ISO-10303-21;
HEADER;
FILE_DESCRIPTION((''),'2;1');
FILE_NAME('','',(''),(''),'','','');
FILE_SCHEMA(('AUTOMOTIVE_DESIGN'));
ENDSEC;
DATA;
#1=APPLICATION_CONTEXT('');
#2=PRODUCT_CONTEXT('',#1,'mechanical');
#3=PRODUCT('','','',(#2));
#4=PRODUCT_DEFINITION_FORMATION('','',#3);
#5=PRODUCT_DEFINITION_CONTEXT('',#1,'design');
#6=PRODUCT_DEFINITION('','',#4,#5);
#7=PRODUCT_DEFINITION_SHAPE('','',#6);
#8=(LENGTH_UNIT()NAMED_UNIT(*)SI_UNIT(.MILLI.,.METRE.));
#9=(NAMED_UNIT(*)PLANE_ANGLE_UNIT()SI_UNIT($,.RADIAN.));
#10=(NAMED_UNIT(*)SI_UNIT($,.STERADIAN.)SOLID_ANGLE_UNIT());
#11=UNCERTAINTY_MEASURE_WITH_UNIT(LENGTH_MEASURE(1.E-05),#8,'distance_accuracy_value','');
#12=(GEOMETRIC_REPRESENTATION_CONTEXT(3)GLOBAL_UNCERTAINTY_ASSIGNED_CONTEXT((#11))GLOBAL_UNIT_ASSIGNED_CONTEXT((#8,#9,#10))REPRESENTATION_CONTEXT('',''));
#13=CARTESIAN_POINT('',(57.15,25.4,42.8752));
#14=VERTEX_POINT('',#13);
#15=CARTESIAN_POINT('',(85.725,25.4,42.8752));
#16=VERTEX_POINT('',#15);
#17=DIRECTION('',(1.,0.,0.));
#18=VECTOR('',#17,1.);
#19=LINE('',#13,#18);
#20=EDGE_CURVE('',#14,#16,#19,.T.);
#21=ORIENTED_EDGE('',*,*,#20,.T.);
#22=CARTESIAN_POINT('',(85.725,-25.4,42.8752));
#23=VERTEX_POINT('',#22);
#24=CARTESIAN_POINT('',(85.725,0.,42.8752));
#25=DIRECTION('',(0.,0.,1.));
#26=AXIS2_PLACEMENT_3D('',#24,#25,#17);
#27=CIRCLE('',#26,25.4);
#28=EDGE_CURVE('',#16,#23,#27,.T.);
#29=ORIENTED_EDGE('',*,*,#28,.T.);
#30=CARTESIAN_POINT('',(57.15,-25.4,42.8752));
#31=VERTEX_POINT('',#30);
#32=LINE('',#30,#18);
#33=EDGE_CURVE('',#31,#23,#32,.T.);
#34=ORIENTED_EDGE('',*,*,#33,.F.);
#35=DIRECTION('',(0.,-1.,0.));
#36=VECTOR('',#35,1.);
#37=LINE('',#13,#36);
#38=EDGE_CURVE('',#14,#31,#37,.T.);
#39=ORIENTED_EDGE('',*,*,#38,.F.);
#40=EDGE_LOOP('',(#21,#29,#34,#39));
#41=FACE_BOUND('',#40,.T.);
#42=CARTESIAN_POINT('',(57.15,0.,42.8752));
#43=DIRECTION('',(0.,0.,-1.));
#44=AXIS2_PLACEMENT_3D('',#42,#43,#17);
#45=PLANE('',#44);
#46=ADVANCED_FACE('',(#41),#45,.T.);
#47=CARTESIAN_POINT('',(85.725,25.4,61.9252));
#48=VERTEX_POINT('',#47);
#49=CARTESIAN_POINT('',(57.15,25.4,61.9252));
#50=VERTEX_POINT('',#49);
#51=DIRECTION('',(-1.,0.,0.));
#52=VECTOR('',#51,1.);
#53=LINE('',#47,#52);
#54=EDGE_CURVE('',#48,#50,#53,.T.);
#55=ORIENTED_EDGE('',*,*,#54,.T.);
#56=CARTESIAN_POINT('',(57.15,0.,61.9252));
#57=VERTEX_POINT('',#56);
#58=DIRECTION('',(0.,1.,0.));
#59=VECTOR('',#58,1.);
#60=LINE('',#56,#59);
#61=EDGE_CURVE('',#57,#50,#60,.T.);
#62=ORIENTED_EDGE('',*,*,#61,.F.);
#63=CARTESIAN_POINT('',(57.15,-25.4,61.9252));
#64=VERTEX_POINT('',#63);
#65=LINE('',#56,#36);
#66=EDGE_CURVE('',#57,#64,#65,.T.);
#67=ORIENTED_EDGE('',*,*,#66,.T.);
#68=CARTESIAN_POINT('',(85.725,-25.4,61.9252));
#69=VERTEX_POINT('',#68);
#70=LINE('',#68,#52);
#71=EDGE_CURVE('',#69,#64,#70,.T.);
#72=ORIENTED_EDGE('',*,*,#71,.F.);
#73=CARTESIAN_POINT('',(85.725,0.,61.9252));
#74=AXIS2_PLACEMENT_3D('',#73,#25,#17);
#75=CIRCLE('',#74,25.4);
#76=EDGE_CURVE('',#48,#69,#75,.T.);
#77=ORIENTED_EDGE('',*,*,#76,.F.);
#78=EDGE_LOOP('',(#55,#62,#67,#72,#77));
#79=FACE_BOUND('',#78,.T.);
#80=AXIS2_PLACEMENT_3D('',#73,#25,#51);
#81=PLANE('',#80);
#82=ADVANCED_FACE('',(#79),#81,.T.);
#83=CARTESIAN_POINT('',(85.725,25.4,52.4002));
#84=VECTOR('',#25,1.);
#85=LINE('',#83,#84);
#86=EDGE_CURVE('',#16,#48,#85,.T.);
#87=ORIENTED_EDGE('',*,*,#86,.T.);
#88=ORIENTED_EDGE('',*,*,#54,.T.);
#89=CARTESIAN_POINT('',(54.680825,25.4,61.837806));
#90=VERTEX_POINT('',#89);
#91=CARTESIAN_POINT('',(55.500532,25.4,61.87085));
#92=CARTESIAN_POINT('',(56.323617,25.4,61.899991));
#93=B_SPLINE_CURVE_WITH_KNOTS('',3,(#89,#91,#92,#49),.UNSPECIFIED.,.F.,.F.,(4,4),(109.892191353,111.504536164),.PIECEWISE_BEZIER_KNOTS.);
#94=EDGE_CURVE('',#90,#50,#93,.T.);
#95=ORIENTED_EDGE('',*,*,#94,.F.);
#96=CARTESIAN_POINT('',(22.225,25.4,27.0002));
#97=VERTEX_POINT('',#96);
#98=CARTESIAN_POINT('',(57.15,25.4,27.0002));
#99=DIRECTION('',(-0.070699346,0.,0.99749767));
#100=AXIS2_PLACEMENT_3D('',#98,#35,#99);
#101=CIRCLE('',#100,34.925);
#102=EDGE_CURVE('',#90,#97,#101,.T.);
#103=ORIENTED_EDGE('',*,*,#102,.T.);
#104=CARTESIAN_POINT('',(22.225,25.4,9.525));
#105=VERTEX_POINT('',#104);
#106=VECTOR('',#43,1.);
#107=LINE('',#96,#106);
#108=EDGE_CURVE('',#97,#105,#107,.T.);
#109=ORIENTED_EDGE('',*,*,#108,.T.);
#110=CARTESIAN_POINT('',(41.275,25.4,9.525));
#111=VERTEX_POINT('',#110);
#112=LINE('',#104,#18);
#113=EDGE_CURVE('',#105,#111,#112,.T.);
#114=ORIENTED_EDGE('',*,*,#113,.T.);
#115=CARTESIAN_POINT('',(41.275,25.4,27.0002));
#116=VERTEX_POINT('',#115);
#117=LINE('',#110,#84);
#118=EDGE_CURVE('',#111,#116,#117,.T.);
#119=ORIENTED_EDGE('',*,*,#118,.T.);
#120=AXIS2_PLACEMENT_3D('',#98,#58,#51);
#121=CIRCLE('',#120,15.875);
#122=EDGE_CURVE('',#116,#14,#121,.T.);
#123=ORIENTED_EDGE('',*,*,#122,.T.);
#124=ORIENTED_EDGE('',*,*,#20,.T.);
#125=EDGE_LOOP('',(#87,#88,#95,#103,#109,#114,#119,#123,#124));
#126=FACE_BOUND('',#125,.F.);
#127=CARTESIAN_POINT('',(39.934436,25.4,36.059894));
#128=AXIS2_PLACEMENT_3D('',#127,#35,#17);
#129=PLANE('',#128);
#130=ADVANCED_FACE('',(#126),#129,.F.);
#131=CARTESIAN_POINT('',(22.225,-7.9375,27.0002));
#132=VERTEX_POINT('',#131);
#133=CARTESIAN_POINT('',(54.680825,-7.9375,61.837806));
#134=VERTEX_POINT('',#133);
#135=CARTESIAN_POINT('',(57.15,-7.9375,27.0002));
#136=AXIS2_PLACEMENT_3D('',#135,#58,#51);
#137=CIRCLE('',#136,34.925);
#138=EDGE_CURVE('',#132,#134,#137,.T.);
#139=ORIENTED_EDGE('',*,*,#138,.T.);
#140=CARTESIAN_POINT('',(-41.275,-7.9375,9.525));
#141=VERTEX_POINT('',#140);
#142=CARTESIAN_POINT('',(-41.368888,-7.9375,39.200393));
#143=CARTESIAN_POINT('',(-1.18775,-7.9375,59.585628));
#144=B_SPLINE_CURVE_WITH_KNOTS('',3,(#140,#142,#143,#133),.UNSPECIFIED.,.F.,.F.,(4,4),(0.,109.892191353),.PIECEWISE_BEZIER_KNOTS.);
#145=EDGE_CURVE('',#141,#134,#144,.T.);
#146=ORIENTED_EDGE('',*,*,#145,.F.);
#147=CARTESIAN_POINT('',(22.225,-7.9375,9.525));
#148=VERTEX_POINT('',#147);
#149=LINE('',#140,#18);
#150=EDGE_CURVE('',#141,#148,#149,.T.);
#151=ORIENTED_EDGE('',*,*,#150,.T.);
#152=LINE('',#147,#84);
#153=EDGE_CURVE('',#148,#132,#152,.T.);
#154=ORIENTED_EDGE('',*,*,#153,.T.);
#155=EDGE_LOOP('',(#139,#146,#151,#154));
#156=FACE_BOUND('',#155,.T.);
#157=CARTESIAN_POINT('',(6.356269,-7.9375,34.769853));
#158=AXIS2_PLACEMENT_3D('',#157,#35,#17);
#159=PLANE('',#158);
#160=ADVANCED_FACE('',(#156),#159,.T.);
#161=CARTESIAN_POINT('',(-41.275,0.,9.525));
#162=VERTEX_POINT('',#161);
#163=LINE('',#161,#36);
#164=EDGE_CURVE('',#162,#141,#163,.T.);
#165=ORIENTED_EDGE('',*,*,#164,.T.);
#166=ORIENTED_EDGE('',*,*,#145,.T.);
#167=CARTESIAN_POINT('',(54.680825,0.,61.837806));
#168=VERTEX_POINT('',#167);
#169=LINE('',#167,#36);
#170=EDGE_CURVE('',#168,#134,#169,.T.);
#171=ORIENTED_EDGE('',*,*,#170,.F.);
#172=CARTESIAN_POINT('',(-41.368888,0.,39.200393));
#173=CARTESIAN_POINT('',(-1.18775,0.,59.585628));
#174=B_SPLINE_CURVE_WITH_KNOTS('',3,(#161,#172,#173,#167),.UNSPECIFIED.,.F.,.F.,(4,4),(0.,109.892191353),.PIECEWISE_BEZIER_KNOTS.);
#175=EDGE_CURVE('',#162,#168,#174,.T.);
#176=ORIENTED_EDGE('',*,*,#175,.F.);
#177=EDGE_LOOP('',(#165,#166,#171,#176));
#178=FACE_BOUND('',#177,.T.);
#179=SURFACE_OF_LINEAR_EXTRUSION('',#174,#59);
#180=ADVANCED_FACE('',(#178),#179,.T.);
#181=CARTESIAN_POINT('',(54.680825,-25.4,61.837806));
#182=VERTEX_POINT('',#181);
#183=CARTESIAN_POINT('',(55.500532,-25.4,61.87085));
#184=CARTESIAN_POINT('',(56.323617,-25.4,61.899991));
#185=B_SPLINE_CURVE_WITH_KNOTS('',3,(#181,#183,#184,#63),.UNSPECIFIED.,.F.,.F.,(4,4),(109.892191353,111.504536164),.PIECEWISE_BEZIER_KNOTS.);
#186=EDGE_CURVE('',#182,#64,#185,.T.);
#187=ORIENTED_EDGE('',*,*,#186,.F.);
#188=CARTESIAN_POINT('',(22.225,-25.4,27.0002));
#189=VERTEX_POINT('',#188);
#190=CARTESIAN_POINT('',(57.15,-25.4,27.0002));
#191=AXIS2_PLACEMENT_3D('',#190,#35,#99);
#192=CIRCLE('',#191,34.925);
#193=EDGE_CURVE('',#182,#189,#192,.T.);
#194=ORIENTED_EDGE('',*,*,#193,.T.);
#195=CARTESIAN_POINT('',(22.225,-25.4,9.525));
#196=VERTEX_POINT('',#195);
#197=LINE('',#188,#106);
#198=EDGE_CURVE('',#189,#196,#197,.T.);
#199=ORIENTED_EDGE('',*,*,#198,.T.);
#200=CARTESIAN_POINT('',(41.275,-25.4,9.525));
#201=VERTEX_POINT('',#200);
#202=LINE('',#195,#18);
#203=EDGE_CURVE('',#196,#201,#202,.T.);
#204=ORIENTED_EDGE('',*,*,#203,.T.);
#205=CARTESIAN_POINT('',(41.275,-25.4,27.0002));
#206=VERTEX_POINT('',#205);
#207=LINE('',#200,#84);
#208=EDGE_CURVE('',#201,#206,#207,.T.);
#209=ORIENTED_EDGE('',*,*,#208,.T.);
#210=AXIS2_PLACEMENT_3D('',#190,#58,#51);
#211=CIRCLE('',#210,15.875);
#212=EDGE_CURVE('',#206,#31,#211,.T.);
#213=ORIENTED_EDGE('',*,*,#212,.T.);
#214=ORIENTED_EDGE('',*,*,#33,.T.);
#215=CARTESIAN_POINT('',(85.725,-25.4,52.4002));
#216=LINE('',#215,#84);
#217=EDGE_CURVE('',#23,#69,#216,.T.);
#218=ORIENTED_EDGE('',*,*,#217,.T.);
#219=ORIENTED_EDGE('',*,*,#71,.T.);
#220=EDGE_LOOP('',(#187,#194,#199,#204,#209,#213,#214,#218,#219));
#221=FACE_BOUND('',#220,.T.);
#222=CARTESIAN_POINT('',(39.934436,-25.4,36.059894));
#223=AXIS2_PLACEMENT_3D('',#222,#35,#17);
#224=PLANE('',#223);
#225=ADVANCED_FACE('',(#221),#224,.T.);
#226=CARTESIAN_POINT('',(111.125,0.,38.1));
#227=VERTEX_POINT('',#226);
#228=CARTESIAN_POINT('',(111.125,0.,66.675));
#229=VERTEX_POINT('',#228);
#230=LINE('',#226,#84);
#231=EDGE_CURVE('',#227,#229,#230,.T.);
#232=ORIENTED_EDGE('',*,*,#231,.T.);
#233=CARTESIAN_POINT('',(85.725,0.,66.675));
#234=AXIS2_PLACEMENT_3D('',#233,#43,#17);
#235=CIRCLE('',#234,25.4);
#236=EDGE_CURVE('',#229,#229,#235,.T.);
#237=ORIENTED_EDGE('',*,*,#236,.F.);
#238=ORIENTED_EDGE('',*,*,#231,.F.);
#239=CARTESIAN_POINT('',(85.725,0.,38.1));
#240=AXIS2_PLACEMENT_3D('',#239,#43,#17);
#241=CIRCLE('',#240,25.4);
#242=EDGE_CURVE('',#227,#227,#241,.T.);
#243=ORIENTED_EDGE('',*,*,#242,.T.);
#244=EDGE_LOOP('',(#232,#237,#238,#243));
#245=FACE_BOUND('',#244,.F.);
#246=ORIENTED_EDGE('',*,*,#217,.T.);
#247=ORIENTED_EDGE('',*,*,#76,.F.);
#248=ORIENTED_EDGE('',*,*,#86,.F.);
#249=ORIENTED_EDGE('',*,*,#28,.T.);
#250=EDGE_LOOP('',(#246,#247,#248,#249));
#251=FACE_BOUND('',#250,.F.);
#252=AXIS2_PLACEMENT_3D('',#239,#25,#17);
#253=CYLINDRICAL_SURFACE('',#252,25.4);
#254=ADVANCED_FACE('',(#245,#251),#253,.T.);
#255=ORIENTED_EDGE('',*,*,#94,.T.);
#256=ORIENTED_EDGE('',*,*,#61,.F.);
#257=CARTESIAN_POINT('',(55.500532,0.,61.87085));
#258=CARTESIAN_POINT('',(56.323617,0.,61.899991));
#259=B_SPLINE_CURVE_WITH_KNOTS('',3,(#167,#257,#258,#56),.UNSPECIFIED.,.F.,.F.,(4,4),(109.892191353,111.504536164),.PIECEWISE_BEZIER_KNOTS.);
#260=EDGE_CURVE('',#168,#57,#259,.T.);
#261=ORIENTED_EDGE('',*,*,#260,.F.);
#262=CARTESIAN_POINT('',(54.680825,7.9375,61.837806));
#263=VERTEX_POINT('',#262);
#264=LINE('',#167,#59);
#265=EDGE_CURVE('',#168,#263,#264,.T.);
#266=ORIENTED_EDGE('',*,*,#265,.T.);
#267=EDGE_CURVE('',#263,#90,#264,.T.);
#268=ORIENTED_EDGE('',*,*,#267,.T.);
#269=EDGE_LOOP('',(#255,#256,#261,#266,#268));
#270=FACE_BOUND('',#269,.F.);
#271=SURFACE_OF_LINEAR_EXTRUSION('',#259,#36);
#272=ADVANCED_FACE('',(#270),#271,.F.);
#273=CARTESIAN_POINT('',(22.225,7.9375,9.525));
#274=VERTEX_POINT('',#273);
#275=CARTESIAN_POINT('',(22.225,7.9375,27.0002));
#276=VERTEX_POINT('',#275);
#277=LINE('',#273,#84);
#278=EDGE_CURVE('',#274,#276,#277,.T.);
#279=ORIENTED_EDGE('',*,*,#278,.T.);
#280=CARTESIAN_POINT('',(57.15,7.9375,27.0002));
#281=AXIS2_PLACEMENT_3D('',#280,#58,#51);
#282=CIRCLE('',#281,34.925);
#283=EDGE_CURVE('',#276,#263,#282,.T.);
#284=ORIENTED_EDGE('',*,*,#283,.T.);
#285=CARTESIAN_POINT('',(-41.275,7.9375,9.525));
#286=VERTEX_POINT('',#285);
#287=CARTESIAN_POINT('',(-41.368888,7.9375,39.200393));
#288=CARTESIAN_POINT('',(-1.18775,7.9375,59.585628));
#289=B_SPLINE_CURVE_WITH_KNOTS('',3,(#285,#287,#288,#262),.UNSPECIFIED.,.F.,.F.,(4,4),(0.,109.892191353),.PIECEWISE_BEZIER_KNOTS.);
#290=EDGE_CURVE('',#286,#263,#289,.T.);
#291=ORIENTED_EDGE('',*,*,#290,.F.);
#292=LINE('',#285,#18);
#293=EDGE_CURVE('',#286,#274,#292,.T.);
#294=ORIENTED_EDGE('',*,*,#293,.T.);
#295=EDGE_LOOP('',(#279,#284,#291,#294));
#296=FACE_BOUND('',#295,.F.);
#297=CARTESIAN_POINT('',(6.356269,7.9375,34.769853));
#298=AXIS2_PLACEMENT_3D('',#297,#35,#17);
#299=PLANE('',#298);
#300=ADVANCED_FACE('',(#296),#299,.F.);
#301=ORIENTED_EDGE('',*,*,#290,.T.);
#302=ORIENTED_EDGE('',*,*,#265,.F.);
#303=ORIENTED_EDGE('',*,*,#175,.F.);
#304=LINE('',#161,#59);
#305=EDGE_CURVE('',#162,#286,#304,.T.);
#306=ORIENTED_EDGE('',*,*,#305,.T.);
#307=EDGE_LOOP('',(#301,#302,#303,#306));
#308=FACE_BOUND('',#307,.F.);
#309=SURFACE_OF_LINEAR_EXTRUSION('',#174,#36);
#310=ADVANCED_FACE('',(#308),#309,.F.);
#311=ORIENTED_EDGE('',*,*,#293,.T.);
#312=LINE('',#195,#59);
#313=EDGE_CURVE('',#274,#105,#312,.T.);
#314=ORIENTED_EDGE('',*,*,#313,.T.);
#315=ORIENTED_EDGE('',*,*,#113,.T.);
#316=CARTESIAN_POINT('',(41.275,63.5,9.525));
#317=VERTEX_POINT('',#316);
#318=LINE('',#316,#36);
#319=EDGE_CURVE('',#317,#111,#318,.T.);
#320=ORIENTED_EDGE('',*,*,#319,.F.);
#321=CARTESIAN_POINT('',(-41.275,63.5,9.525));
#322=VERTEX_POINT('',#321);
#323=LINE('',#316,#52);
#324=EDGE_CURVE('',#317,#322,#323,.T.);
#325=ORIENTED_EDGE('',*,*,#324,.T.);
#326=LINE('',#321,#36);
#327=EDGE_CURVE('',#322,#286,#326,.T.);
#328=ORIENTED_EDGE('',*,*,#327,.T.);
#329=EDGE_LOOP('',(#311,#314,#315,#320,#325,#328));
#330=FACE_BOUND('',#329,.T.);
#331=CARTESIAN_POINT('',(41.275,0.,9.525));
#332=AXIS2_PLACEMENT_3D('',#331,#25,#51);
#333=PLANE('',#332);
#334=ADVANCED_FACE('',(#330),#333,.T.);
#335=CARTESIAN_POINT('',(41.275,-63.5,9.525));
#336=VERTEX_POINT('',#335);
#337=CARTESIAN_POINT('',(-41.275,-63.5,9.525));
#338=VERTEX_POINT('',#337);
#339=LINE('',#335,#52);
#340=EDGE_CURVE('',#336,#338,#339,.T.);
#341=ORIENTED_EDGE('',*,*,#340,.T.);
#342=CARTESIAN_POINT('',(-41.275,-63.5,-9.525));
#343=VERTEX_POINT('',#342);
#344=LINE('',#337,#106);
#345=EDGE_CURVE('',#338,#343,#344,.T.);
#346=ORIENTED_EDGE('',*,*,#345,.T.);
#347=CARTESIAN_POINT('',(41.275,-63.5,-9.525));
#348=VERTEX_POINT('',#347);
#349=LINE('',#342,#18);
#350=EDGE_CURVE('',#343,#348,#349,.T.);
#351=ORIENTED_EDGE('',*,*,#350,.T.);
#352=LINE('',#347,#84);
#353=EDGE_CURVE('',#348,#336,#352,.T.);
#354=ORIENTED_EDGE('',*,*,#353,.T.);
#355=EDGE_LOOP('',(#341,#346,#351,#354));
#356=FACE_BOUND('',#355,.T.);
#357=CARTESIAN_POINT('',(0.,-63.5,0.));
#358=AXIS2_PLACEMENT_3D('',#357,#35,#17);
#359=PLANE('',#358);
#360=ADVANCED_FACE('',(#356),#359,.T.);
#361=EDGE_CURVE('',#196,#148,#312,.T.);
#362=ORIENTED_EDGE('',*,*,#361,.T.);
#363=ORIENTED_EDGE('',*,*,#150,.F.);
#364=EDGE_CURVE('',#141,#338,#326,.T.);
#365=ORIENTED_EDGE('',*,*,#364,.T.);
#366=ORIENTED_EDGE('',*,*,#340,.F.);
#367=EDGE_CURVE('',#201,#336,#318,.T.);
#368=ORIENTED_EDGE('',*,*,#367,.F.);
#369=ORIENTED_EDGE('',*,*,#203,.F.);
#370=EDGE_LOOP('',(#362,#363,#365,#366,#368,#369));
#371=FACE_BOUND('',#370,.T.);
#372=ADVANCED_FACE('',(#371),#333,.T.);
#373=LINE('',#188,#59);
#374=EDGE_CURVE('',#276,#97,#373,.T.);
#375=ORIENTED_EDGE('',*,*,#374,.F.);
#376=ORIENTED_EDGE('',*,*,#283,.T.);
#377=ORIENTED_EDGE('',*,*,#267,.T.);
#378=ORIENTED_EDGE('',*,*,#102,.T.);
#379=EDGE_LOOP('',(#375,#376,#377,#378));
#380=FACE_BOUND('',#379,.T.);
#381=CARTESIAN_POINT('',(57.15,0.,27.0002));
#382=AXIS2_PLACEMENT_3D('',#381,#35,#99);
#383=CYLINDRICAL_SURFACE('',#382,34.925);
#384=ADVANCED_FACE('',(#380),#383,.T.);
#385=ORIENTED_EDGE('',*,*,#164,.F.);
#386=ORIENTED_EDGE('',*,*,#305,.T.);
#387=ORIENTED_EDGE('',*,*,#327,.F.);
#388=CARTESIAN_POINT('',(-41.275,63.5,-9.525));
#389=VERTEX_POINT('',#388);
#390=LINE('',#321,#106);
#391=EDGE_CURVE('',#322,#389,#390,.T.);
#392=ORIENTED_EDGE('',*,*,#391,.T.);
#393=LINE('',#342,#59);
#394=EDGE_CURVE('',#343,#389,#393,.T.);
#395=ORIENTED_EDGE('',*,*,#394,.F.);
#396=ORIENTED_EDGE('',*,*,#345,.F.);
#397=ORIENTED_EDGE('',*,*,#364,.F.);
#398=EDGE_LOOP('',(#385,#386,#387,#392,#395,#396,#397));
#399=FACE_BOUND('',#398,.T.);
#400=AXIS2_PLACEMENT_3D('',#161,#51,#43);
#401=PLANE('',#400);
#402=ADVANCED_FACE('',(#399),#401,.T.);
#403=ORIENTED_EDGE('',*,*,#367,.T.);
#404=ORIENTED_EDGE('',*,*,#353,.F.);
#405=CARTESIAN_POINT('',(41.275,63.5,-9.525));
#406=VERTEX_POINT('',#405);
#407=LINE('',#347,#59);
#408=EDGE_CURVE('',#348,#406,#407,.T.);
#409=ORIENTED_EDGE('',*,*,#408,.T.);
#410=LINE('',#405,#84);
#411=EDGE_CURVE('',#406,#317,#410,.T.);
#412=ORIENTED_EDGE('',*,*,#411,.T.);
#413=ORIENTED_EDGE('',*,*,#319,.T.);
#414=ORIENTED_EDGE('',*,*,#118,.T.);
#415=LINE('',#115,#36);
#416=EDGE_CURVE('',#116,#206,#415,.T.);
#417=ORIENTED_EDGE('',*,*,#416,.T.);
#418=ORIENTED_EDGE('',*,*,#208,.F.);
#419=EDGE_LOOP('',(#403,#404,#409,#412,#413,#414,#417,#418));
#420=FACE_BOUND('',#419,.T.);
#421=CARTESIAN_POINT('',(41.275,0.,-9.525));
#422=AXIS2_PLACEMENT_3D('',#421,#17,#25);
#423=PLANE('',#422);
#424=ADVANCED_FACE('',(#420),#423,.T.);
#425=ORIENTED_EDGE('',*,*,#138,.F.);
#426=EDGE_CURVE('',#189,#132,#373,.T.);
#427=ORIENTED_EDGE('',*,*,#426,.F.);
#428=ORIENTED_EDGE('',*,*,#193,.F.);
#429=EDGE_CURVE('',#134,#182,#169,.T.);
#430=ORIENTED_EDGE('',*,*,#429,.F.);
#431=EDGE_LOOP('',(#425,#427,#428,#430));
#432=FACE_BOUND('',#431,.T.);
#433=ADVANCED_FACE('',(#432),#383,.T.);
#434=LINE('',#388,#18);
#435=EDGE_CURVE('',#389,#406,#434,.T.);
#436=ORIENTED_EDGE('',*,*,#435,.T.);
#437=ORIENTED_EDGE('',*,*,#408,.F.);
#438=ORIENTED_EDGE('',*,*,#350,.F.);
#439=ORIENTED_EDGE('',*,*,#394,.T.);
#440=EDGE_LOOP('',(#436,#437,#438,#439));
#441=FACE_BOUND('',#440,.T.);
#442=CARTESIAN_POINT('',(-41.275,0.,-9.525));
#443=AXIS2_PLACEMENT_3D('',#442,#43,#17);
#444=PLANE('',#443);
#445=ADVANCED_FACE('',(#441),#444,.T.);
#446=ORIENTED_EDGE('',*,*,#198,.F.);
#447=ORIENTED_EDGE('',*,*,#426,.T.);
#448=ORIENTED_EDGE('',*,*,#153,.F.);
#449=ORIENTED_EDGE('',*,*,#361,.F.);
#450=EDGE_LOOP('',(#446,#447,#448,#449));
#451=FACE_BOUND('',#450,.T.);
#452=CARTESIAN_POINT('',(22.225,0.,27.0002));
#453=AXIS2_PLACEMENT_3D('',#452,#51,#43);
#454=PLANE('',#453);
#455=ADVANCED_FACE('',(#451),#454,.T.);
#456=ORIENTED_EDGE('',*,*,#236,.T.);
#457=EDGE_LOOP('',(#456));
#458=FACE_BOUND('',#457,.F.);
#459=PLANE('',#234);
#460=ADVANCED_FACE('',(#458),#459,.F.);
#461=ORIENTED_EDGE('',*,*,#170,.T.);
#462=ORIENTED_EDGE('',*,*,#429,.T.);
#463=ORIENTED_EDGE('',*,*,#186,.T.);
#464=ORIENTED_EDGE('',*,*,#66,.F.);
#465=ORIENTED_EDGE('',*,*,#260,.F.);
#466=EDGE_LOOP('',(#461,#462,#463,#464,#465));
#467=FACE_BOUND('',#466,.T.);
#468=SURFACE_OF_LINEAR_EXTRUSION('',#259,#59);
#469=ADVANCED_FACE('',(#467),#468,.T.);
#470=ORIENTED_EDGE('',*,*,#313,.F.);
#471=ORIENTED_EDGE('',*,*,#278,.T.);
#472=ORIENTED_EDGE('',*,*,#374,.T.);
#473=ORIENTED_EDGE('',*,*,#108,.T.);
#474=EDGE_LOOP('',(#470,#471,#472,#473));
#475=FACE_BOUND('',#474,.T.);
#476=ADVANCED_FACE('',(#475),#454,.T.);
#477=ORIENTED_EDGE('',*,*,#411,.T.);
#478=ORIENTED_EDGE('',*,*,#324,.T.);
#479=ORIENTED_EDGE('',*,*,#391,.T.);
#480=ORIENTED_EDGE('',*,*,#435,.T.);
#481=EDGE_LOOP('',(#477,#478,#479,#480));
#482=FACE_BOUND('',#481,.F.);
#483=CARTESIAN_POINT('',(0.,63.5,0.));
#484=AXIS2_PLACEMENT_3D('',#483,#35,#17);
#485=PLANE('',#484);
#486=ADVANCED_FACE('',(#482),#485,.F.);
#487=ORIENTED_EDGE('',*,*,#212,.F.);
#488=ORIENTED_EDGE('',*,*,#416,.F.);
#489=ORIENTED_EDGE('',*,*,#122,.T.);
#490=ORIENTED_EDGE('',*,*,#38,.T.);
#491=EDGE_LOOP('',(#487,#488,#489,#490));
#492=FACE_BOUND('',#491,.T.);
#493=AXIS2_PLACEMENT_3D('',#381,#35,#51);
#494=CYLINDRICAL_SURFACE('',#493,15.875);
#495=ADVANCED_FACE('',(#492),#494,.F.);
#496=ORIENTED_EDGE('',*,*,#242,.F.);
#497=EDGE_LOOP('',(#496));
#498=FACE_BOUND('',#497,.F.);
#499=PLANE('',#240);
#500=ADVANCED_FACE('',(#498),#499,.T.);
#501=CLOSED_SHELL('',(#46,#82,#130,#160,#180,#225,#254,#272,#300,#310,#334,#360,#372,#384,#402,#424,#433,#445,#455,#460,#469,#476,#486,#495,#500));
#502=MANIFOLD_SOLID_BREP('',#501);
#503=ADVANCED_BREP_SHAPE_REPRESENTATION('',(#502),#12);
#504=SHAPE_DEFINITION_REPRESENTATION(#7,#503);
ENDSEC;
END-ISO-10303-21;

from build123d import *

# Parameters (mm, degrees)
F1_DEPTH = 63.5
F0_W     = 25.4
F0_H     = 19.05
F2_DEPTH = 25.4
F3_DEPTH = 7.9375


with BuildPart() as f1:
    # F0 (on Front) → F1 (new body, symmetric)
    with BuildSketch(Plane.XZ):
        Polygon((41.275, -9.525), (41.275, 9.525), (22.225, 9.525), (-41.275, 9.525), (-41.275, -9.525), align=None)
    extrude(amount=F1_DEPTH, both=True)

    # F0 (on Front) → F2 (join, symmetric)
    with BuildSketch(Plane.XZ):
        with BuildLine():
            Line((22.225, 9.525), (41.275, 9.525))
            Line((41.275, 9.525), (41.275, 27.0002))
            ThreePointArc((41.275, 27.0002), (45.9246798487, 38.2255201513), (57.15, 42.8752))
            Line((57.15, 42.8752), (60.325, 42.8752))
            Line((60.325, 42.8752), (60.325, 61.9252))
            Line((60.325, 61.9252), (57.15, 61.9252))
            add(Edge.make_bspline(
                [(54.6808253359, 61.8378061387), (55.500532419, 61.870850227), (56.3236165266, 61.8999908241), (57.15, 61.9252)],
                knots=[109.8921913534, 109.8921913534, 109.8921913534, 109.8921913534, 111.5045361635, 111.5045361635, 111.5045361635, 111.5045361635], degree=3))
            ThreePointArc((54.6808253359, 61.8378061387), (31.5962179889, 50.806918588), (22.225, 27.0002))
            Line((22.225, 27.0002), (22.225, 9.525))
        make_face()
        with Locations((73.025, 52.4002)):
            Rectangle(F0_W, F0_H)
    extrude(amount=F2_DEPTH, both=True)

    # F0 (on Front) → F3 (join, symmetric)
    with BuildSketch(Plane.XZ):
        with BuildLine():
            Line((-41.275, 9.525), (22.225, 9.525))
            Line((22.225, 9.525), (22.225, 27.0002))
            ThreePointArc((22.225, 27.0002), (31.5962179889, 50.806918588), (54.6808253359, 61.8378061387))
            add(Edge.make_bspline(
                [(-41.275, 9.525), (-41.3688876605, 39.2003932287), (-1.1877500898, 59.5856282852), (54.6808253359, 61.8378061387)],
                knots=[0, 0, 0, 0, 109.8921913534, 109.8921913534, 109.8921913534, 109.8921913534], degree=3))
        make_face()
    extrude(amount=F3_DEPTH, both=True)

    # F0 (on Front) → F4 (revolve)
    with BuildSketch(Plane.XZ):
        Polygon((85.725, 61.9252), (85.725, 42.8752), (85.725, 38.1), (111.125, 38.1), (111.125, 66.675), (85.725, 66.675), align=None)
    revolve(axis=Axis((85.725, 0, 52.3875), (0, 0, -1)))


solid = f1.part
